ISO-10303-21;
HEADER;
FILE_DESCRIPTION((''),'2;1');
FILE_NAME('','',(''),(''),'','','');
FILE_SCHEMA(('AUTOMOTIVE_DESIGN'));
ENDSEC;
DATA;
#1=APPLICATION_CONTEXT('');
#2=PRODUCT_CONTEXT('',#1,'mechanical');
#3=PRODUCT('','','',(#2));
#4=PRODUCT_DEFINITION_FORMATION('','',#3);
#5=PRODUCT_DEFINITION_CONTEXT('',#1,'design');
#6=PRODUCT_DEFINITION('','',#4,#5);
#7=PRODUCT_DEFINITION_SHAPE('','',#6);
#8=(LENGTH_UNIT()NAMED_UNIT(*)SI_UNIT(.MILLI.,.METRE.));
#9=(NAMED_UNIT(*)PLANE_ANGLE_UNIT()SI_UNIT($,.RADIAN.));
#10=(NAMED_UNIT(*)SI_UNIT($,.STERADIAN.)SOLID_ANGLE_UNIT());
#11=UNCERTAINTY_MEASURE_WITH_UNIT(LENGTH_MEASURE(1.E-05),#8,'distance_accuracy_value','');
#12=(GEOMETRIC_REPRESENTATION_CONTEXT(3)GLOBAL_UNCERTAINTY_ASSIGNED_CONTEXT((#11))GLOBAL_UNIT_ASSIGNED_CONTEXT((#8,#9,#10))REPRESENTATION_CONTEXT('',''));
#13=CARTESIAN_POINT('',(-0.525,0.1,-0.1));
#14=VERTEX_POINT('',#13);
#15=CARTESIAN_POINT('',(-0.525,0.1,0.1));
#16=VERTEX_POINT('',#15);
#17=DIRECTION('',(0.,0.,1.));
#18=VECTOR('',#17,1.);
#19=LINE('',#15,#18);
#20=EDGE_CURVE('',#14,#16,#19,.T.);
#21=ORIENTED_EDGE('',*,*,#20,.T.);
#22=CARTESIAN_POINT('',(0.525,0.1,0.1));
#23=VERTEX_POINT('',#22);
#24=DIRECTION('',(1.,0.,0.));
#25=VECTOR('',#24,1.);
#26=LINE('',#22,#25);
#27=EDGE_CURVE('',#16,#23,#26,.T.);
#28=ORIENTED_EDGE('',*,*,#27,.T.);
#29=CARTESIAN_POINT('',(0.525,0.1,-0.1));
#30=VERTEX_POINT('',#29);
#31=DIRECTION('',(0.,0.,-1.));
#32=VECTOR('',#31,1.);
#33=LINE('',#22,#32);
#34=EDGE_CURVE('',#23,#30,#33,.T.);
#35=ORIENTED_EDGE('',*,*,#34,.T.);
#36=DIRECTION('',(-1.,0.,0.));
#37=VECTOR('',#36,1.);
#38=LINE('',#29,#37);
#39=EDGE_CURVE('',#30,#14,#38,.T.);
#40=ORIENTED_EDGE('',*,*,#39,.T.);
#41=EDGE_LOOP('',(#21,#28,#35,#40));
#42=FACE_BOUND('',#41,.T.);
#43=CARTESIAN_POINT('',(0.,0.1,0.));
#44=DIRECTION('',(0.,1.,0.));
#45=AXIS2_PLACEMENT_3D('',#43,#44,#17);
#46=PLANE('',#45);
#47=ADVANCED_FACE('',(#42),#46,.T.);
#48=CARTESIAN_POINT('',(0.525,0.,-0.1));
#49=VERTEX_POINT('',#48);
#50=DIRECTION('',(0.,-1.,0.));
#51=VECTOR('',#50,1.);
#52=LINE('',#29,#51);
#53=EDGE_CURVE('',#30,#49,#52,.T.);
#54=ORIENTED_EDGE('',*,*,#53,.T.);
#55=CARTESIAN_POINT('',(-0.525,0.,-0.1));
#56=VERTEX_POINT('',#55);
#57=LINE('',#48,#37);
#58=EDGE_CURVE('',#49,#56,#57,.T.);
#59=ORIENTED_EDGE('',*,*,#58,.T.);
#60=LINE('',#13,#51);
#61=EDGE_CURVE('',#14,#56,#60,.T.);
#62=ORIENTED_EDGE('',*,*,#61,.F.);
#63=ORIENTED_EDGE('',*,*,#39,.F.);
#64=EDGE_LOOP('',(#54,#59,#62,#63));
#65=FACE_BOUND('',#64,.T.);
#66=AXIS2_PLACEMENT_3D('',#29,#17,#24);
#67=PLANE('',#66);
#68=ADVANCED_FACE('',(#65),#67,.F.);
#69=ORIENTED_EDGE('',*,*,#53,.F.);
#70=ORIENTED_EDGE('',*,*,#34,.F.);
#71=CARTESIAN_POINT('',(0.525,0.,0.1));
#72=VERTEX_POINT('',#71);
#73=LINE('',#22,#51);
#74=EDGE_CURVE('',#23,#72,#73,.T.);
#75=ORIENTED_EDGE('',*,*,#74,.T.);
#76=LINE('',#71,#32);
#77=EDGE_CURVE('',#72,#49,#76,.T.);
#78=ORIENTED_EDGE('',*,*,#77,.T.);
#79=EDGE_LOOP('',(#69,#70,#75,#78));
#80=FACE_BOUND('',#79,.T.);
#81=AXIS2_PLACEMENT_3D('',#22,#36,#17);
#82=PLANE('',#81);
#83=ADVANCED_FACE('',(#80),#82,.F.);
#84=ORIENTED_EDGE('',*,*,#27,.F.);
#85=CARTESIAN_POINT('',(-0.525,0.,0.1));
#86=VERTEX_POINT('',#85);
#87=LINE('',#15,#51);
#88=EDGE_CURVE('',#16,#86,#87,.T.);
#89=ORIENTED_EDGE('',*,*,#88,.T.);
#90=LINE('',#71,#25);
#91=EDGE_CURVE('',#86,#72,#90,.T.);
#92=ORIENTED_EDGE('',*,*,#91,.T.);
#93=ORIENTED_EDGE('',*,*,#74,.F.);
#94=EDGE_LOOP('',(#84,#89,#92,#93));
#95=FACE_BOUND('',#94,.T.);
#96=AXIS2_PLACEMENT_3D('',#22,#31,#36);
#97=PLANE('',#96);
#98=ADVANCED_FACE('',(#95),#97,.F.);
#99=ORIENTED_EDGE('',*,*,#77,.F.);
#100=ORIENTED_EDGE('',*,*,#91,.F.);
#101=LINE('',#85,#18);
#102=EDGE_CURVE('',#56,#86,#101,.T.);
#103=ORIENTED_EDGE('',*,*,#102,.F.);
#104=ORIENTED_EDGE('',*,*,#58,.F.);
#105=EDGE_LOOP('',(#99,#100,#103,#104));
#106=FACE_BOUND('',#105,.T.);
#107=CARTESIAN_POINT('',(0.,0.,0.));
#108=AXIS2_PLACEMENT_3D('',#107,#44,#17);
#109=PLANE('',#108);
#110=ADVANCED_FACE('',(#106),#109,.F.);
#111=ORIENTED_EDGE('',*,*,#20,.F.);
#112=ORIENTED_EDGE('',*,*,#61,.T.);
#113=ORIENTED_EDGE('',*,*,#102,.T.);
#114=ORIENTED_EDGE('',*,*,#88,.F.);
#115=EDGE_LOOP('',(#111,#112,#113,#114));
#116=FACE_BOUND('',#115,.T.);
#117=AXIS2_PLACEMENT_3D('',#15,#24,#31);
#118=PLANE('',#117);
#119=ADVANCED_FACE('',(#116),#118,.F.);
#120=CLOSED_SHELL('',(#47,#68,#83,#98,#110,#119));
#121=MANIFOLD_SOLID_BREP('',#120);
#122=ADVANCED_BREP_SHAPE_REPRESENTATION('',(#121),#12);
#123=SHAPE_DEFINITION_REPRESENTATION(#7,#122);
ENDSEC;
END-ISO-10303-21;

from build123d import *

# Parameters (mm, degrees)
ESQUISSE1_W        = 1.05
ESQUISSE1_H        = 0.2
BOSS_EXTRU_1_DEPTH = 0.1


with BuildPart() as part:
    # Esquisse1 → Boss.-Extru.1 (new body)
    with BuildSketch(Plane(origin=(0, 0, 0), x_dir=(1, 0, 0), z_dir=(0, 1, 0))):
        Rectangle(ESQUISSE1_W, ESQUISSE1_H)
    extrude(amount=BOSS_EXTRU_1_DEPTH)


solid = part.part
